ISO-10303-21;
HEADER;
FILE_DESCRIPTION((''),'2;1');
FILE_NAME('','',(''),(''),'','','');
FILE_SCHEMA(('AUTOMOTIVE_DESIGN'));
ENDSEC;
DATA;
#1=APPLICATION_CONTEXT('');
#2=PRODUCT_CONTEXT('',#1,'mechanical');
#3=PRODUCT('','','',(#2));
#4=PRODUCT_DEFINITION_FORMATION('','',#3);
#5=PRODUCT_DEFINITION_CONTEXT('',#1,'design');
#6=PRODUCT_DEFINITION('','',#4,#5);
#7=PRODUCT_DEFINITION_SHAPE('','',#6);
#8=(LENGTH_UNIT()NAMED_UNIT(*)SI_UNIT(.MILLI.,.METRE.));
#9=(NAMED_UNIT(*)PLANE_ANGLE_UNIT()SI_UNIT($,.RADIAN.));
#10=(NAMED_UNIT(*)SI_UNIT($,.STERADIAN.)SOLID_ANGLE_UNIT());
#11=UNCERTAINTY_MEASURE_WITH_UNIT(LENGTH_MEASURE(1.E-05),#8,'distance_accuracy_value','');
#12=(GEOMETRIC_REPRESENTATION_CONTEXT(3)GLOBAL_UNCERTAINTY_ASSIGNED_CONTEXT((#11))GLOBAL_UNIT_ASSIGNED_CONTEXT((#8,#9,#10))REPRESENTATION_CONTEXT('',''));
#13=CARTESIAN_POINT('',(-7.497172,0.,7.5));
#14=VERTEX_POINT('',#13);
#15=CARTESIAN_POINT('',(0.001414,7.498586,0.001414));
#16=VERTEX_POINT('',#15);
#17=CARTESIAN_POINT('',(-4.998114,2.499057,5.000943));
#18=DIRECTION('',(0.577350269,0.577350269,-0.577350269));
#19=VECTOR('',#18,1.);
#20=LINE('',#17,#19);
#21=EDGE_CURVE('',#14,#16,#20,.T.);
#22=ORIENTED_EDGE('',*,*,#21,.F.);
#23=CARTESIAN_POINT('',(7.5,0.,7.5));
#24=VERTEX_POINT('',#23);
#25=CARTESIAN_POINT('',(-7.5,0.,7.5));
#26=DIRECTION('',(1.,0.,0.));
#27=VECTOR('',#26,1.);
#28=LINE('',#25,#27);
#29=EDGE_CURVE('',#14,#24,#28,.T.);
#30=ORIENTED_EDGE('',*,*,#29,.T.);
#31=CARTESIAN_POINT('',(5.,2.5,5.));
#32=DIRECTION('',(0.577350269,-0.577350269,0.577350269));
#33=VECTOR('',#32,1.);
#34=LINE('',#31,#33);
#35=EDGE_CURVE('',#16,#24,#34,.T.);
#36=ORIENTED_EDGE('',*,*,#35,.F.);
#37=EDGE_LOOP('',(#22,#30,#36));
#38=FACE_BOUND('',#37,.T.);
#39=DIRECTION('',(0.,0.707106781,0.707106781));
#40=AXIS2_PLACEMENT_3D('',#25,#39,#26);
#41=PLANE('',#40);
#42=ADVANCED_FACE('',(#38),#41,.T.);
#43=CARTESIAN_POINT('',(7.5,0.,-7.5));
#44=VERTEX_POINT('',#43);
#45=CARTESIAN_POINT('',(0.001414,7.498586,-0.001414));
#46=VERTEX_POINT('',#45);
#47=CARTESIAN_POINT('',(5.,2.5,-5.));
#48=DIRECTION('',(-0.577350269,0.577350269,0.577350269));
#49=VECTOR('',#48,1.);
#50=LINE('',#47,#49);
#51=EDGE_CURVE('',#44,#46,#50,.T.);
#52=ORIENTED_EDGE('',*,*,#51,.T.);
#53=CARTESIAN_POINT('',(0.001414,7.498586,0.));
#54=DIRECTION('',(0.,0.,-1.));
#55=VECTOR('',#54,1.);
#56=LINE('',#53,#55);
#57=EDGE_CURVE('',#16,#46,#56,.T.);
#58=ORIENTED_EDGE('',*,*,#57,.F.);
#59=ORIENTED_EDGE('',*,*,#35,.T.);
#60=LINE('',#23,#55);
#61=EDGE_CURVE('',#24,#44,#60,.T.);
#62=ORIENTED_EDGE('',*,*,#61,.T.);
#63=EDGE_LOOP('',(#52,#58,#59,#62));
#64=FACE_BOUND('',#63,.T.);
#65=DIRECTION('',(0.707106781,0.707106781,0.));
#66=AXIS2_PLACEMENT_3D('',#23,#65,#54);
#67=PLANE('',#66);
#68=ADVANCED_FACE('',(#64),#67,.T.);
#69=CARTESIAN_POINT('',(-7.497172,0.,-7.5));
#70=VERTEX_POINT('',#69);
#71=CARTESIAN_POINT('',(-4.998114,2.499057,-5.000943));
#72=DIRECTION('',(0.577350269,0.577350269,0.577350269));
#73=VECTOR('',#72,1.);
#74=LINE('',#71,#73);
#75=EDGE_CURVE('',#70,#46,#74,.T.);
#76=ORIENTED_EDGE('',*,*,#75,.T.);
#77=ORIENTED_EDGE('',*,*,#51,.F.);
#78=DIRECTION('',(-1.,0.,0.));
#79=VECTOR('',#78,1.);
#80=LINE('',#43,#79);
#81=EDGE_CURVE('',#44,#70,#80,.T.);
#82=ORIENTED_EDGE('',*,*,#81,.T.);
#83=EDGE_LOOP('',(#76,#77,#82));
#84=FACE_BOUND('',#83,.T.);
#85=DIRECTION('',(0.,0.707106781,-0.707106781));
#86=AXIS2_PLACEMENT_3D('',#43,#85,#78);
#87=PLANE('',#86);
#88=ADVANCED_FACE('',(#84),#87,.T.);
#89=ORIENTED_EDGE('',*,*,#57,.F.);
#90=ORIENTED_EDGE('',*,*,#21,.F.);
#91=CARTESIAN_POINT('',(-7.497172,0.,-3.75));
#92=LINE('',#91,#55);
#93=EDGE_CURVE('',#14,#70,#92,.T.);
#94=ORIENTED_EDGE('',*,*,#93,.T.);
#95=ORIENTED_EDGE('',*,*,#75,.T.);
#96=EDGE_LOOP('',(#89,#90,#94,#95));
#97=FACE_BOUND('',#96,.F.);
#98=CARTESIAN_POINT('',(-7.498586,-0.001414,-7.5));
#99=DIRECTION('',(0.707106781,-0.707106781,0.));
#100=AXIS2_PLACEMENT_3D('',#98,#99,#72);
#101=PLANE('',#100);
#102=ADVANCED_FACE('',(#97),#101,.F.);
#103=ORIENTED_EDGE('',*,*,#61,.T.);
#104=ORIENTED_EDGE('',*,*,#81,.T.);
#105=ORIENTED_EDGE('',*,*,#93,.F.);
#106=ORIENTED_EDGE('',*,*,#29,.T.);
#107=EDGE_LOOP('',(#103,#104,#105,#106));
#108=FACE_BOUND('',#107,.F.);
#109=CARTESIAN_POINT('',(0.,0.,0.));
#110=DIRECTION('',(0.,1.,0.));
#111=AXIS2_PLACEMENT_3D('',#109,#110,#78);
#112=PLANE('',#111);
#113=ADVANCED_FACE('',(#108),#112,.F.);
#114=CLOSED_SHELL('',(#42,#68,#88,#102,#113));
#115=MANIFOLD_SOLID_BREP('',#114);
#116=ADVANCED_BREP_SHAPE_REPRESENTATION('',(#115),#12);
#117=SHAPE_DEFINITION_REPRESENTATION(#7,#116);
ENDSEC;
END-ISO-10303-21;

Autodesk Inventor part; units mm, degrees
sketch "Sketch1" plane through (0, 0, 0) normal (0, 1, 0) x (-1, 0, 0)
  line L0 (7.5, 7.5) -> (-7.5, 7.5)
  line L1 (-7.5, 7.5) -> (-7.5, -7.5)
  line L2 (-7.5, -7.5) -> (7.5, -7.5)
  line L3 (7.5, -7.5) -> (7.5, 7.5)
  line L4 (7.5, 7.5) -> (-7.5, -7.5) construction
  line L5 (-7.5, 7.5) -> (7.5, -7.5) construction
  point P0 (0, 0)
  dimension "d0" = 15
  dimension "d1" = 15
extrude "Extrusion1" add sketch "Sketch1" along normal blind 7.5
sketch "Sketch2" plane through (0, 7.5, 0) normal (0, 1, 0) x (1, 0, 0)
  point P0 (0, 0)
  point P1 (0, 0)
ref_plane "Work Plane1" through (7.5, 0, 7.5) normal (0.7071, 0.7071, 0) x (0, 0, -1)
ref_plane "Work Plane2" through (-7.5, 0, 7.5) normal (0, 0.7071, 0.7071) x (1, 0, 0)
ref_plane "Work Plane3" through (-7.5, 0, -7.5) normal (0.7071, -0.7071, 0) x (0.5774, 0.5774, 0.5774)
ref_plane "Work Plane4" through (7.5, 0, -7.5) normal (0, 0.7071, -0.7071) x (-1, 0, 0)
sketch "Sketch4" plane through (7.5, 0, 7.5) normal (0.7071, 0.7071, 0) x (0, 0, -1)
  line L0 (26.6476, 25.9998) -> (-15.2684, 25.9998)
  line L1 (-15.2684, 25.9998) -> (-15.2684, -13.1545)
  line L2 (-15.2684, -13.1545) -> (26.6476, -13.1545)
  line L3 (26.6476, -13.1545) -> (26.6476, 25.9998)
  point P0 (7.5, 5.3033)
extrude "Extrusion2" cut sketch "Sketch4" along normal through all
sketch "Sketch5" plane through (-7.5, 0, 7.5) normal (0, 0.7071, 0.7071) x (1, 0, 0)
  line L0 (25.5392, 33.5657) -> (-14.5967, 33.5657)
  line L1 (-14.5967, 33.5657) -> (-14.5967, -23.0742)
  line L2 (-14.5967, -23.0742) -> (25.5392, -23.0742)
  line L3 (25.5392, -23.0742) -> (25.5392, 33.5657)
  point P0 (7.5, 5.3033)
extrude "Extrusion3" cut sketch "Sketch5" along normal through all
sketch "Sketch6" plane through (-7.5, 0, -7.5) normal (0.7071, -0.7071, 0) x (0.5774, 0.5774, 0.5774)
  line L0 (35.4927, -22.9081) -> (-17.0623, -22.9081)
  line L1 (-17.0623, -22.9081) -> (-17.0623, 39.3429)
  line L2 (-17.0623, 39.3429) -> (35.4927, 39.3429)
  line L3 (35.4927, 39.3429) -> (35.4927, -22.9081)
  point P0 (8.6603, 3.0619)
extrude "Extrusion4" cut sketch "Sketch6" against normal blind 15
sketch "Sketch7" plane through (7.5, 0, -7.5) normal (0, 0.7071, -0.7071) x (-1, 0, 0)
  line L0 (-15.9671, 26.9617) -> (32.6533, 26.9617)
  line L1 (32.6533, 26.9617) -> (32.6533, -21.7992)
  line L2 (32.6533, -21.7992) -> (-15.9671, -21.7992)
  line L3 (-15.9671, -21.7992) -> (-15.9671, 26.9617)
  point P0 (7.5, 5.3033)
extrude "Extrusion5" cut sketch "Sketch7" along normal through all
equation "\"d0\" = 0.5 * BodyHeight"
equation "\"d1\" = 0.5 * BodyHeight"
equation "\"d2\" = 0.25 * BodyHeight"
equation "\"d8\" = 0.5 * BodyHeight"
equation "\"BodyHeight\" = 30"
properties part number "HexSideSpike" material "H TPU"
